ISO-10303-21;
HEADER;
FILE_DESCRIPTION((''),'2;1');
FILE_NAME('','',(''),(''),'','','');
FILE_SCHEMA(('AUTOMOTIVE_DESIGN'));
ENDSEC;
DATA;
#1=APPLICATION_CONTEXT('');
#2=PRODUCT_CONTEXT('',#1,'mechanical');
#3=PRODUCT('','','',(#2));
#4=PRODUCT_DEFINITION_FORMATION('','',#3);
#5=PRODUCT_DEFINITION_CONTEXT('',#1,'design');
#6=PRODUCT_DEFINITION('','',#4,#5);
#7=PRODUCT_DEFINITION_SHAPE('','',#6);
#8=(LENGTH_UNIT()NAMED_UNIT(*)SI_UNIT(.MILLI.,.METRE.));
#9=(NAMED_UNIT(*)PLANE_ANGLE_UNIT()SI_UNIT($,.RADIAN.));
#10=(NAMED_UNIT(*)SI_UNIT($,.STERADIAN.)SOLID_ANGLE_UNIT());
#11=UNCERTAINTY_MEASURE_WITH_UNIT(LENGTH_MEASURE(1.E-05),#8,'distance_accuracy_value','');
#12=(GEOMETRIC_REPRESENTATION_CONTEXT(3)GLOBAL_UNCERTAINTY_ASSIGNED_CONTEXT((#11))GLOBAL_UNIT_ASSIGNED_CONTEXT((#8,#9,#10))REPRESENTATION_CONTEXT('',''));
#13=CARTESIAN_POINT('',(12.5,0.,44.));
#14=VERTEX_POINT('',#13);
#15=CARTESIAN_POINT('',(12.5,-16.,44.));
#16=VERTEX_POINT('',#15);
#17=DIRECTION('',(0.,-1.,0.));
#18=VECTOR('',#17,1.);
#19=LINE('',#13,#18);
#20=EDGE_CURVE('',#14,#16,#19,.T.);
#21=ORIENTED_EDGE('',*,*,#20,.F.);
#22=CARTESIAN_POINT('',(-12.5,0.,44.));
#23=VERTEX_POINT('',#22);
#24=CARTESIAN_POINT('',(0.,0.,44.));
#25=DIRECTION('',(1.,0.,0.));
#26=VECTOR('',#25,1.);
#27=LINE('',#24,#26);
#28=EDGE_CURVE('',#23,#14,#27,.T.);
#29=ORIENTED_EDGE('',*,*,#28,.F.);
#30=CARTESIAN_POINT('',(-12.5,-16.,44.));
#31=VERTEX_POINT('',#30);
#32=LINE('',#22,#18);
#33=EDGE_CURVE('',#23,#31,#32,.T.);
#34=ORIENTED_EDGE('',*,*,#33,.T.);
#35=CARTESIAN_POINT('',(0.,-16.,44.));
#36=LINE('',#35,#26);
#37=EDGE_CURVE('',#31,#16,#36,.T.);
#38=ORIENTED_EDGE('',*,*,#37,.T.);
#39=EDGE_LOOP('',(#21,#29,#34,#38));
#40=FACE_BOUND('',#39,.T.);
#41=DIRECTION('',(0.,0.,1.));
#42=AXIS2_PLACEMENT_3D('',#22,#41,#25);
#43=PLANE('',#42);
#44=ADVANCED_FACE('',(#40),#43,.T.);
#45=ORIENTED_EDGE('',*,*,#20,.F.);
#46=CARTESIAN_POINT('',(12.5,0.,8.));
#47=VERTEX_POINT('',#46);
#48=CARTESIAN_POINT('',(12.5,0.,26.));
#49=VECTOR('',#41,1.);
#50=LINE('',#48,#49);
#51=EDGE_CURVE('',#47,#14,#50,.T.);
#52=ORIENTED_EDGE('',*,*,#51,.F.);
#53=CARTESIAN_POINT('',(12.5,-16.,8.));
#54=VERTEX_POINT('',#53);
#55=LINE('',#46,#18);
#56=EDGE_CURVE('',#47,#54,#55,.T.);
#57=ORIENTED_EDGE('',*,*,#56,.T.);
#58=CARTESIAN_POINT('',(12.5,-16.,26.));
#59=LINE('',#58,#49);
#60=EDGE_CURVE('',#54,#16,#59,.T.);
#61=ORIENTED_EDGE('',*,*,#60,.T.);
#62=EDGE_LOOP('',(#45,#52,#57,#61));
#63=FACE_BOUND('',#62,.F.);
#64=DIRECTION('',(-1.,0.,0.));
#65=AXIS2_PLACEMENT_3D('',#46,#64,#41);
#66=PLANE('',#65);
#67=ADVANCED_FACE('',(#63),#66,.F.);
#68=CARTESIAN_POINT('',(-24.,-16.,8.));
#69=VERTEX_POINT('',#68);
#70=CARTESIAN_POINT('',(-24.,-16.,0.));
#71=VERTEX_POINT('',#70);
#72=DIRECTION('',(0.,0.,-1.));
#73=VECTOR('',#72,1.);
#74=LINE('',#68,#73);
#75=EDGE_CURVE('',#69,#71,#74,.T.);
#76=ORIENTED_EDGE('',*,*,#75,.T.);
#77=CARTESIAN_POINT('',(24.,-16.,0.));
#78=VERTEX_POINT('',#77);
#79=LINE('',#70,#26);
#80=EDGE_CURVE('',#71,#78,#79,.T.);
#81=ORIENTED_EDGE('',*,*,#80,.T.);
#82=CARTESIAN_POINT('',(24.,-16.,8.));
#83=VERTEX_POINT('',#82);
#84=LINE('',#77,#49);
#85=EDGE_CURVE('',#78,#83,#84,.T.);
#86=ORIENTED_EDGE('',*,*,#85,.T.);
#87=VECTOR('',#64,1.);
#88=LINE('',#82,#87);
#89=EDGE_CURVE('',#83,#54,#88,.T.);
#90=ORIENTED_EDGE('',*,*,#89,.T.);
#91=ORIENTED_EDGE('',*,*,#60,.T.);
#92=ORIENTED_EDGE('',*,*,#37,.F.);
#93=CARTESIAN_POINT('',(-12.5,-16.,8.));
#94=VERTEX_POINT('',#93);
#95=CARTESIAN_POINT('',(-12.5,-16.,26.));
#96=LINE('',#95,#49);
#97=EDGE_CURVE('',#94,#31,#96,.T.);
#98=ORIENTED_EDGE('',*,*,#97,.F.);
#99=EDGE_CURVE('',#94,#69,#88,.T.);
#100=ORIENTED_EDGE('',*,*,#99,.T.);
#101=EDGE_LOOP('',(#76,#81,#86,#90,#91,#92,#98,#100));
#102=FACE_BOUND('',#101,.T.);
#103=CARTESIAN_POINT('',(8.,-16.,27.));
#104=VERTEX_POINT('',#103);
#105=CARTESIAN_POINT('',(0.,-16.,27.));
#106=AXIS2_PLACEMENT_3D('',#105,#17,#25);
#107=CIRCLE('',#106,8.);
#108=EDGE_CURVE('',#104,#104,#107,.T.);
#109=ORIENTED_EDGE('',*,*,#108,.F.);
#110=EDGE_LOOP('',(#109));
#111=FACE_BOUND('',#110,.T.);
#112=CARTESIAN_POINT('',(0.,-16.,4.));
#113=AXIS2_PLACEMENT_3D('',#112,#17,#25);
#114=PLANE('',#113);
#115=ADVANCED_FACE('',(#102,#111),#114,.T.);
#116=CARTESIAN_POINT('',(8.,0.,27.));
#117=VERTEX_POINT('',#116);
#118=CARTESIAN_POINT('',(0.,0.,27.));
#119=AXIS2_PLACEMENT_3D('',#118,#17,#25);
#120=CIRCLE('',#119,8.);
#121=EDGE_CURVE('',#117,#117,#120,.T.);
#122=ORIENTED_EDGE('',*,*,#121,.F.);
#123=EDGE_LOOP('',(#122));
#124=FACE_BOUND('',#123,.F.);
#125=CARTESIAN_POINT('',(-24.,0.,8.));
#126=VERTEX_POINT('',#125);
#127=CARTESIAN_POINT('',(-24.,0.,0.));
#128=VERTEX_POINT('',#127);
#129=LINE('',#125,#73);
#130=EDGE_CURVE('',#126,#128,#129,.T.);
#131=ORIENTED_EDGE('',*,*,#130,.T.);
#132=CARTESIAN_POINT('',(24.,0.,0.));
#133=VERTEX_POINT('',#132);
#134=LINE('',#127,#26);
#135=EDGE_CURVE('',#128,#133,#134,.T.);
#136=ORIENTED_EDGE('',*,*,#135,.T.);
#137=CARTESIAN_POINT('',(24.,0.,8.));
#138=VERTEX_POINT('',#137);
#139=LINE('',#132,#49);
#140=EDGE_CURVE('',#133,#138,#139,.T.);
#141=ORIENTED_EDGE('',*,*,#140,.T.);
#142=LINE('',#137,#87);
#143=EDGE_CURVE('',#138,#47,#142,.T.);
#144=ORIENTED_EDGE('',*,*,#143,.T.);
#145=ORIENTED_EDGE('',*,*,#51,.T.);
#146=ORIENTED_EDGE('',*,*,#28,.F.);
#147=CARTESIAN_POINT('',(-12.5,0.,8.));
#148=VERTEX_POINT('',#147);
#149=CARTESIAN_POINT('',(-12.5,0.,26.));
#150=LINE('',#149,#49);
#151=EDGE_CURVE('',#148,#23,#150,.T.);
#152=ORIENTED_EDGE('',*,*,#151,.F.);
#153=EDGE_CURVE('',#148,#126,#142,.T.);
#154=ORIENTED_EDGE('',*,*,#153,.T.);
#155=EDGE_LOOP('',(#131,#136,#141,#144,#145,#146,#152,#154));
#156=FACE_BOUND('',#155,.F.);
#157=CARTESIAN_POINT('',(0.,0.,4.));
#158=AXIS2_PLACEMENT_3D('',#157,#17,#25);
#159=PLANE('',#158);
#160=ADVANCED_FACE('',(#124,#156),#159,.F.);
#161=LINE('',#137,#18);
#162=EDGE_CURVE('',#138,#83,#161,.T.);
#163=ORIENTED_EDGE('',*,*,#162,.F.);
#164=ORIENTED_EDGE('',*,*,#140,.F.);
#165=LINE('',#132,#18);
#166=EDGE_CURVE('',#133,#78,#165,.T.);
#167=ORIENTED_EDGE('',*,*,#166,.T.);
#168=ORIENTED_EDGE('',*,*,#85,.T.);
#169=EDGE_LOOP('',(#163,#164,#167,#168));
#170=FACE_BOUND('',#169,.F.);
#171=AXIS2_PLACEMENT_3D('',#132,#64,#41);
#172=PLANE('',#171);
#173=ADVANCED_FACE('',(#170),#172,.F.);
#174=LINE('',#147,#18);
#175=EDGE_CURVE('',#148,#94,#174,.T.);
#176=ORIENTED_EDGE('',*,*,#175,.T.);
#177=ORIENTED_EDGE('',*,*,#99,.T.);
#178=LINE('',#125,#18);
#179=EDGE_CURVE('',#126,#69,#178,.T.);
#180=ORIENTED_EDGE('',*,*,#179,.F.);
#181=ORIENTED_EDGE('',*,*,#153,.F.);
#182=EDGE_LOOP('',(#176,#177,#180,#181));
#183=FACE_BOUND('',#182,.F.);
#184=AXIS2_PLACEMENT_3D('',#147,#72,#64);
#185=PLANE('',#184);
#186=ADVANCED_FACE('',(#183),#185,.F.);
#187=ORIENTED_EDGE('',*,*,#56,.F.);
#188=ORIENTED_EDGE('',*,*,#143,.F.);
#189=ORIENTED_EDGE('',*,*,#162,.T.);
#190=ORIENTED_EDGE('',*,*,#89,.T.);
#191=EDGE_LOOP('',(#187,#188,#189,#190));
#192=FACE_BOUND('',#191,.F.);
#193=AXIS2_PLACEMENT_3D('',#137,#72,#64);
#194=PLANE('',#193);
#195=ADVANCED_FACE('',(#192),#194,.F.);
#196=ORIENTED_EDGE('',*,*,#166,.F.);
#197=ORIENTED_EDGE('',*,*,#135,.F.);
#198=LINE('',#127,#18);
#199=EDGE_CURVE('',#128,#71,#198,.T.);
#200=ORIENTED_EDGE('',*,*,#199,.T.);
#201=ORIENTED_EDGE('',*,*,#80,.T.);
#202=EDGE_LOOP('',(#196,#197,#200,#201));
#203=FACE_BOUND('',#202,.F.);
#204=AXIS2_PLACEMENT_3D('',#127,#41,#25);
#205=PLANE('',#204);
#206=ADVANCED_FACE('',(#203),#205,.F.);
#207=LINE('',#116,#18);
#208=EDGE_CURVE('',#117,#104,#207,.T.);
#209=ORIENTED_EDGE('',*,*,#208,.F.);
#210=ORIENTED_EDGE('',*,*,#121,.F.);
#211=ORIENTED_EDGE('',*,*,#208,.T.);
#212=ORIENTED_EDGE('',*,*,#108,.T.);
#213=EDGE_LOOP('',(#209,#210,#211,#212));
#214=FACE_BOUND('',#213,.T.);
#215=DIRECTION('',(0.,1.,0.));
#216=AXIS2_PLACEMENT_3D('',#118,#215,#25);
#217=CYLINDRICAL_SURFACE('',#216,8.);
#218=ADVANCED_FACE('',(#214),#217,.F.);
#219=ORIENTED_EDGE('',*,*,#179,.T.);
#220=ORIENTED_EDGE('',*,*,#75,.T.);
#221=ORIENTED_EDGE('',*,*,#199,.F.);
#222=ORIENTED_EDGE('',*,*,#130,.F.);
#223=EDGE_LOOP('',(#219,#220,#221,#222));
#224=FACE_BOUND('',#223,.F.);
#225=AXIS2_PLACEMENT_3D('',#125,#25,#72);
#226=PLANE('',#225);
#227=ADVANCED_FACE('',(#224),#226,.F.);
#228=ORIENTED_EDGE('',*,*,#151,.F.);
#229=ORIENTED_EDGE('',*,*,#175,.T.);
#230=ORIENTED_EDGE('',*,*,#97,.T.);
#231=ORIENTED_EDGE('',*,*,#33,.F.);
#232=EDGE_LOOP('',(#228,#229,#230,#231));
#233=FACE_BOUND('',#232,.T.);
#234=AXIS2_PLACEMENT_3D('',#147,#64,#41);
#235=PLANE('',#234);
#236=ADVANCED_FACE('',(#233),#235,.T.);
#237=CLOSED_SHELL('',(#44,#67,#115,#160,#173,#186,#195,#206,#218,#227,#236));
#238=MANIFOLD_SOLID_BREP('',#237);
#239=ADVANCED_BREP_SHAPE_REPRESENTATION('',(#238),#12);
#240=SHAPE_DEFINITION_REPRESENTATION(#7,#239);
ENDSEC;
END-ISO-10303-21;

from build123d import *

# Parameters (mm, degrees)
F0_W     = 25
F0_H     = 36
F0_R     = 8
F1_DEPTH = 16


with BuildPart() as f1:
    # F0 (on Front) → F1 (new body)
    with BuildSketch(Plane.XZ):
        Polygon((12.5, 8), (-12.5, 8), (-24, 8), (-24, 0), (24, 0), (24, 8), align=None)
        with Locations((0, 26)):
            Rectangle(F0_W, F0_H)
        with Locations((0, 27)):
            Circle(F0_R, mode=Mode.SUBTRACT)
    extrude(amount=F1_DEPTH)


solid = f1.part
